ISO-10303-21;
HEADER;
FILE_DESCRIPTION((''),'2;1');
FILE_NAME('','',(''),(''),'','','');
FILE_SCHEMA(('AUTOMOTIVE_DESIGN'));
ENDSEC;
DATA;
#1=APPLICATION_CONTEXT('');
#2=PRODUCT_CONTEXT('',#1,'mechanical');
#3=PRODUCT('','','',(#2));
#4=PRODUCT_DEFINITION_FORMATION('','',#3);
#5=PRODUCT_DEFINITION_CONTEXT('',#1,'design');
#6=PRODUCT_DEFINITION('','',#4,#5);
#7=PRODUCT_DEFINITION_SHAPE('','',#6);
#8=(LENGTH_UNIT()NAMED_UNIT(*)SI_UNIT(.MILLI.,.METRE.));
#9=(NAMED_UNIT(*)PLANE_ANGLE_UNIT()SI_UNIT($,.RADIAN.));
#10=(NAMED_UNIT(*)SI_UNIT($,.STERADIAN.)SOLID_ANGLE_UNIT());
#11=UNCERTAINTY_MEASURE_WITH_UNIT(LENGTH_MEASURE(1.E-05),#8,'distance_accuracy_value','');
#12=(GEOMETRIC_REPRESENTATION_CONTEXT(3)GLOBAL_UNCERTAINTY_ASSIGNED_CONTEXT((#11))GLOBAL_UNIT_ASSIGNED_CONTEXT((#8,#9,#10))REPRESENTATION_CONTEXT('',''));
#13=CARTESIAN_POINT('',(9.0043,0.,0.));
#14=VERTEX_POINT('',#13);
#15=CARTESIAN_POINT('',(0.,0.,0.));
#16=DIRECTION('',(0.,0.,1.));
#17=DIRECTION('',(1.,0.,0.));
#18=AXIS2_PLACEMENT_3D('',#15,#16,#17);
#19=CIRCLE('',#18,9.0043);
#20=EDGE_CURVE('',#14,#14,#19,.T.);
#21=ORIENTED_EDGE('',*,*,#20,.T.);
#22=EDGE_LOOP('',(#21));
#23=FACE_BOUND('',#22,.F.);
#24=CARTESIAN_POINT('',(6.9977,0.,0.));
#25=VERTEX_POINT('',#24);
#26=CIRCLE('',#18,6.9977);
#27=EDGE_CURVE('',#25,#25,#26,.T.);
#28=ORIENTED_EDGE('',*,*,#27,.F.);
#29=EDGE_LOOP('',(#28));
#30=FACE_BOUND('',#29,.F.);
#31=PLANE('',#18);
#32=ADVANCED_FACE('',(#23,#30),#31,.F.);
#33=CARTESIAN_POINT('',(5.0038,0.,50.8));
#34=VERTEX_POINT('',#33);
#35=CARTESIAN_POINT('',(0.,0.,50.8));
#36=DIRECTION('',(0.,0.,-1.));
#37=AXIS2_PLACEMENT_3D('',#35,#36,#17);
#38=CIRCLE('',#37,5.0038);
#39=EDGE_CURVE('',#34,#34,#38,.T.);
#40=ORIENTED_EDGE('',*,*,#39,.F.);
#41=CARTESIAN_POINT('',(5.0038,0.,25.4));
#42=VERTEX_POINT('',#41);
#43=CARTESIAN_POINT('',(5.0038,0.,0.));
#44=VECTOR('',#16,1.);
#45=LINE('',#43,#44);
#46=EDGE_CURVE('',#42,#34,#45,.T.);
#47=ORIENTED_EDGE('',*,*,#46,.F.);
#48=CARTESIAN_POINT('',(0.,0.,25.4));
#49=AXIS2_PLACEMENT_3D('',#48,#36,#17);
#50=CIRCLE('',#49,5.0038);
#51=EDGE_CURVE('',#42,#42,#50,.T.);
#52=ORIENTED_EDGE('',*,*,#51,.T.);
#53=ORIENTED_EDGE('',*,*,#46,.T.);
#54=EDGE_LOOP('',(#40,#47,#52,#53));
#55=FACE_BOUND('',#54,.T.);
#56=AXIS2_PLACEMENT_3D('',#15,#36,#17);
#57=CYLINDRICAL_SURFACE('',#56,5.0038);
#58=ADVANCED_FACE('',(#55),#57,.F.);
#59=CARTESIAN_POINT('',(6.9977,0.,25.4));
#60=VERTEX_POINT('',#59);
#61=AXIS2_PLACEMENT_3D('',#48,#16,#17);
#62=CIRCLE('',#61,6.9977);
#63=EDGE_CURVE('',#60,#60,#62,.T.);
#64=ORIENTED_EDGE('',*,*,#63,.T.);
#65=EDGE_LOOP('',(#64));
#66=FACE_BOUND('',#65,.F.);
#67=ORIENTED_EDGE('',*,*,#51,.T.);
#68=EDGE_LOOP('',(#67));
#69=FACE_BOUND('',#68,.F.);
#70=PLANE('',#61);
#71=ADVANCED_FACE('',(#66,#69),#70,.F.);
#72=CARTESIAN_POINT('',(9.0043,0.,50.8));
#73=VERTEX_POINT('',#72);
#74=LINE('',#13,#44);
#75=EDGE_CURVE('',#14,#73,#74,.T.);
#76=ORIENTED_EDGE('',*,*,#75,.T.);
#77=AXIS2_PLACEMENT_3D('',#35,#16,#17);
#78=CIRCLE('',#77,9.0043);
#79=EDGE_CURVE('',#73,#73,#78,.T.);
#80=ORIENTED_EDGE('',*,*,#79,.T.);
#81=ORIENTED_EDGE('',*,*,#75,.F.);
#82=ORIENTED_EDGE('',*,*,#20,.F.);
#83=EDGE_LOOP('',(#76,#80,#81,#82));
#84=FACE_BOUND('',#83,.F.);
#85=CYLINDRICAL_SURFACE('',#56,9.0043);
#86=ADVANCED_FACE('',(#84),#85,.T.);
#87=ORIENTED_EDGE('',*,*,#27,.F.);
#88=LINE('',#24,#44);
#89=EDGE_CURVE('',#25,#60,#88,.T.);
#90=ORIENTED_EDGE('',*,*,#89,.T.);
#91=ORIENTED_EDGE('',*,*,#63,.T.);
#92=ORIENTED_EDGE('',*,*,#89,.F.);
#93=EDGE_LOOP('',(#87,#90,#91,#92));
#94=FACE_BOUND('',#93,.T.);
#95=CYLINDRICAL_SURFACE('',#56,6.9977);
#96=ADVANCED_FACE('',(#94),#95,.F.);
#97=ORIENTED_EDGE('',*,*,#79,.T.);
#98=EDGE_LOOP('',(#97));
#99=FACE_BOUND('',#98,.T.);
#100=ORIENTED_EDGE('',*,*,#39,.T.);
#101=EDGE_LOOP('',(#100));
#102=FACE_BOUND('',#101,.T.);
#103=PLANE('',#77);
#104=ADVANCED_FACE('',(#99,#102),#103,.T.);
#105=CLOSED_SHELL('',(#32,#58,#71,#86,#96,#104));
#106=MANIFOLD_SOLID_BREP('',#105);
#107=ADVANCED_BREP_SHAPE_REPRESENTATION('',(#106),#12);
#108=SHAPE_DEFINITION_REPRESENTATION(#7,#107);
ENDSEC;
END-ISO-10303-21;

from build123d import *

# Parameters (mm, degrees)
F0_R          = 9.0043
F1_DEPTH      = 50.8
F2_R          = 5.0038
F3_DEPTH      = 85.09
F3_DEPTH_BACK = 25.4
F4_R          = 6.9977
F5_DEPTH      = 25.4


with BuildPart() as f1:
    # F0 (on Top) → F1 (new body)
    with BuildSketch(Plane.XY):
        Circle(F0_R)
    extrude(amount=F1_DEPTH)

    # F2 (on Top) → F3 (cut, two sides)
    with BuildSketch(Plane.XY) as f3_sk:
        Circle(F2_R)
    extrude(amount=F3_DEPTH, mode=Mode.SUBTRACT)
    extrude(f3_sk.sketch, amount=-F3_DEPTH_BACK, mode=Mode.SUBTRACT)

    # F4 (on Top) → F5 (cut)
    with BuildSketch(Plane.XY):
        Circle(F4_R)
    extrude(amount=F5_DEPTH, mode=Mode.SUBTRACT)


solid = f1.part
